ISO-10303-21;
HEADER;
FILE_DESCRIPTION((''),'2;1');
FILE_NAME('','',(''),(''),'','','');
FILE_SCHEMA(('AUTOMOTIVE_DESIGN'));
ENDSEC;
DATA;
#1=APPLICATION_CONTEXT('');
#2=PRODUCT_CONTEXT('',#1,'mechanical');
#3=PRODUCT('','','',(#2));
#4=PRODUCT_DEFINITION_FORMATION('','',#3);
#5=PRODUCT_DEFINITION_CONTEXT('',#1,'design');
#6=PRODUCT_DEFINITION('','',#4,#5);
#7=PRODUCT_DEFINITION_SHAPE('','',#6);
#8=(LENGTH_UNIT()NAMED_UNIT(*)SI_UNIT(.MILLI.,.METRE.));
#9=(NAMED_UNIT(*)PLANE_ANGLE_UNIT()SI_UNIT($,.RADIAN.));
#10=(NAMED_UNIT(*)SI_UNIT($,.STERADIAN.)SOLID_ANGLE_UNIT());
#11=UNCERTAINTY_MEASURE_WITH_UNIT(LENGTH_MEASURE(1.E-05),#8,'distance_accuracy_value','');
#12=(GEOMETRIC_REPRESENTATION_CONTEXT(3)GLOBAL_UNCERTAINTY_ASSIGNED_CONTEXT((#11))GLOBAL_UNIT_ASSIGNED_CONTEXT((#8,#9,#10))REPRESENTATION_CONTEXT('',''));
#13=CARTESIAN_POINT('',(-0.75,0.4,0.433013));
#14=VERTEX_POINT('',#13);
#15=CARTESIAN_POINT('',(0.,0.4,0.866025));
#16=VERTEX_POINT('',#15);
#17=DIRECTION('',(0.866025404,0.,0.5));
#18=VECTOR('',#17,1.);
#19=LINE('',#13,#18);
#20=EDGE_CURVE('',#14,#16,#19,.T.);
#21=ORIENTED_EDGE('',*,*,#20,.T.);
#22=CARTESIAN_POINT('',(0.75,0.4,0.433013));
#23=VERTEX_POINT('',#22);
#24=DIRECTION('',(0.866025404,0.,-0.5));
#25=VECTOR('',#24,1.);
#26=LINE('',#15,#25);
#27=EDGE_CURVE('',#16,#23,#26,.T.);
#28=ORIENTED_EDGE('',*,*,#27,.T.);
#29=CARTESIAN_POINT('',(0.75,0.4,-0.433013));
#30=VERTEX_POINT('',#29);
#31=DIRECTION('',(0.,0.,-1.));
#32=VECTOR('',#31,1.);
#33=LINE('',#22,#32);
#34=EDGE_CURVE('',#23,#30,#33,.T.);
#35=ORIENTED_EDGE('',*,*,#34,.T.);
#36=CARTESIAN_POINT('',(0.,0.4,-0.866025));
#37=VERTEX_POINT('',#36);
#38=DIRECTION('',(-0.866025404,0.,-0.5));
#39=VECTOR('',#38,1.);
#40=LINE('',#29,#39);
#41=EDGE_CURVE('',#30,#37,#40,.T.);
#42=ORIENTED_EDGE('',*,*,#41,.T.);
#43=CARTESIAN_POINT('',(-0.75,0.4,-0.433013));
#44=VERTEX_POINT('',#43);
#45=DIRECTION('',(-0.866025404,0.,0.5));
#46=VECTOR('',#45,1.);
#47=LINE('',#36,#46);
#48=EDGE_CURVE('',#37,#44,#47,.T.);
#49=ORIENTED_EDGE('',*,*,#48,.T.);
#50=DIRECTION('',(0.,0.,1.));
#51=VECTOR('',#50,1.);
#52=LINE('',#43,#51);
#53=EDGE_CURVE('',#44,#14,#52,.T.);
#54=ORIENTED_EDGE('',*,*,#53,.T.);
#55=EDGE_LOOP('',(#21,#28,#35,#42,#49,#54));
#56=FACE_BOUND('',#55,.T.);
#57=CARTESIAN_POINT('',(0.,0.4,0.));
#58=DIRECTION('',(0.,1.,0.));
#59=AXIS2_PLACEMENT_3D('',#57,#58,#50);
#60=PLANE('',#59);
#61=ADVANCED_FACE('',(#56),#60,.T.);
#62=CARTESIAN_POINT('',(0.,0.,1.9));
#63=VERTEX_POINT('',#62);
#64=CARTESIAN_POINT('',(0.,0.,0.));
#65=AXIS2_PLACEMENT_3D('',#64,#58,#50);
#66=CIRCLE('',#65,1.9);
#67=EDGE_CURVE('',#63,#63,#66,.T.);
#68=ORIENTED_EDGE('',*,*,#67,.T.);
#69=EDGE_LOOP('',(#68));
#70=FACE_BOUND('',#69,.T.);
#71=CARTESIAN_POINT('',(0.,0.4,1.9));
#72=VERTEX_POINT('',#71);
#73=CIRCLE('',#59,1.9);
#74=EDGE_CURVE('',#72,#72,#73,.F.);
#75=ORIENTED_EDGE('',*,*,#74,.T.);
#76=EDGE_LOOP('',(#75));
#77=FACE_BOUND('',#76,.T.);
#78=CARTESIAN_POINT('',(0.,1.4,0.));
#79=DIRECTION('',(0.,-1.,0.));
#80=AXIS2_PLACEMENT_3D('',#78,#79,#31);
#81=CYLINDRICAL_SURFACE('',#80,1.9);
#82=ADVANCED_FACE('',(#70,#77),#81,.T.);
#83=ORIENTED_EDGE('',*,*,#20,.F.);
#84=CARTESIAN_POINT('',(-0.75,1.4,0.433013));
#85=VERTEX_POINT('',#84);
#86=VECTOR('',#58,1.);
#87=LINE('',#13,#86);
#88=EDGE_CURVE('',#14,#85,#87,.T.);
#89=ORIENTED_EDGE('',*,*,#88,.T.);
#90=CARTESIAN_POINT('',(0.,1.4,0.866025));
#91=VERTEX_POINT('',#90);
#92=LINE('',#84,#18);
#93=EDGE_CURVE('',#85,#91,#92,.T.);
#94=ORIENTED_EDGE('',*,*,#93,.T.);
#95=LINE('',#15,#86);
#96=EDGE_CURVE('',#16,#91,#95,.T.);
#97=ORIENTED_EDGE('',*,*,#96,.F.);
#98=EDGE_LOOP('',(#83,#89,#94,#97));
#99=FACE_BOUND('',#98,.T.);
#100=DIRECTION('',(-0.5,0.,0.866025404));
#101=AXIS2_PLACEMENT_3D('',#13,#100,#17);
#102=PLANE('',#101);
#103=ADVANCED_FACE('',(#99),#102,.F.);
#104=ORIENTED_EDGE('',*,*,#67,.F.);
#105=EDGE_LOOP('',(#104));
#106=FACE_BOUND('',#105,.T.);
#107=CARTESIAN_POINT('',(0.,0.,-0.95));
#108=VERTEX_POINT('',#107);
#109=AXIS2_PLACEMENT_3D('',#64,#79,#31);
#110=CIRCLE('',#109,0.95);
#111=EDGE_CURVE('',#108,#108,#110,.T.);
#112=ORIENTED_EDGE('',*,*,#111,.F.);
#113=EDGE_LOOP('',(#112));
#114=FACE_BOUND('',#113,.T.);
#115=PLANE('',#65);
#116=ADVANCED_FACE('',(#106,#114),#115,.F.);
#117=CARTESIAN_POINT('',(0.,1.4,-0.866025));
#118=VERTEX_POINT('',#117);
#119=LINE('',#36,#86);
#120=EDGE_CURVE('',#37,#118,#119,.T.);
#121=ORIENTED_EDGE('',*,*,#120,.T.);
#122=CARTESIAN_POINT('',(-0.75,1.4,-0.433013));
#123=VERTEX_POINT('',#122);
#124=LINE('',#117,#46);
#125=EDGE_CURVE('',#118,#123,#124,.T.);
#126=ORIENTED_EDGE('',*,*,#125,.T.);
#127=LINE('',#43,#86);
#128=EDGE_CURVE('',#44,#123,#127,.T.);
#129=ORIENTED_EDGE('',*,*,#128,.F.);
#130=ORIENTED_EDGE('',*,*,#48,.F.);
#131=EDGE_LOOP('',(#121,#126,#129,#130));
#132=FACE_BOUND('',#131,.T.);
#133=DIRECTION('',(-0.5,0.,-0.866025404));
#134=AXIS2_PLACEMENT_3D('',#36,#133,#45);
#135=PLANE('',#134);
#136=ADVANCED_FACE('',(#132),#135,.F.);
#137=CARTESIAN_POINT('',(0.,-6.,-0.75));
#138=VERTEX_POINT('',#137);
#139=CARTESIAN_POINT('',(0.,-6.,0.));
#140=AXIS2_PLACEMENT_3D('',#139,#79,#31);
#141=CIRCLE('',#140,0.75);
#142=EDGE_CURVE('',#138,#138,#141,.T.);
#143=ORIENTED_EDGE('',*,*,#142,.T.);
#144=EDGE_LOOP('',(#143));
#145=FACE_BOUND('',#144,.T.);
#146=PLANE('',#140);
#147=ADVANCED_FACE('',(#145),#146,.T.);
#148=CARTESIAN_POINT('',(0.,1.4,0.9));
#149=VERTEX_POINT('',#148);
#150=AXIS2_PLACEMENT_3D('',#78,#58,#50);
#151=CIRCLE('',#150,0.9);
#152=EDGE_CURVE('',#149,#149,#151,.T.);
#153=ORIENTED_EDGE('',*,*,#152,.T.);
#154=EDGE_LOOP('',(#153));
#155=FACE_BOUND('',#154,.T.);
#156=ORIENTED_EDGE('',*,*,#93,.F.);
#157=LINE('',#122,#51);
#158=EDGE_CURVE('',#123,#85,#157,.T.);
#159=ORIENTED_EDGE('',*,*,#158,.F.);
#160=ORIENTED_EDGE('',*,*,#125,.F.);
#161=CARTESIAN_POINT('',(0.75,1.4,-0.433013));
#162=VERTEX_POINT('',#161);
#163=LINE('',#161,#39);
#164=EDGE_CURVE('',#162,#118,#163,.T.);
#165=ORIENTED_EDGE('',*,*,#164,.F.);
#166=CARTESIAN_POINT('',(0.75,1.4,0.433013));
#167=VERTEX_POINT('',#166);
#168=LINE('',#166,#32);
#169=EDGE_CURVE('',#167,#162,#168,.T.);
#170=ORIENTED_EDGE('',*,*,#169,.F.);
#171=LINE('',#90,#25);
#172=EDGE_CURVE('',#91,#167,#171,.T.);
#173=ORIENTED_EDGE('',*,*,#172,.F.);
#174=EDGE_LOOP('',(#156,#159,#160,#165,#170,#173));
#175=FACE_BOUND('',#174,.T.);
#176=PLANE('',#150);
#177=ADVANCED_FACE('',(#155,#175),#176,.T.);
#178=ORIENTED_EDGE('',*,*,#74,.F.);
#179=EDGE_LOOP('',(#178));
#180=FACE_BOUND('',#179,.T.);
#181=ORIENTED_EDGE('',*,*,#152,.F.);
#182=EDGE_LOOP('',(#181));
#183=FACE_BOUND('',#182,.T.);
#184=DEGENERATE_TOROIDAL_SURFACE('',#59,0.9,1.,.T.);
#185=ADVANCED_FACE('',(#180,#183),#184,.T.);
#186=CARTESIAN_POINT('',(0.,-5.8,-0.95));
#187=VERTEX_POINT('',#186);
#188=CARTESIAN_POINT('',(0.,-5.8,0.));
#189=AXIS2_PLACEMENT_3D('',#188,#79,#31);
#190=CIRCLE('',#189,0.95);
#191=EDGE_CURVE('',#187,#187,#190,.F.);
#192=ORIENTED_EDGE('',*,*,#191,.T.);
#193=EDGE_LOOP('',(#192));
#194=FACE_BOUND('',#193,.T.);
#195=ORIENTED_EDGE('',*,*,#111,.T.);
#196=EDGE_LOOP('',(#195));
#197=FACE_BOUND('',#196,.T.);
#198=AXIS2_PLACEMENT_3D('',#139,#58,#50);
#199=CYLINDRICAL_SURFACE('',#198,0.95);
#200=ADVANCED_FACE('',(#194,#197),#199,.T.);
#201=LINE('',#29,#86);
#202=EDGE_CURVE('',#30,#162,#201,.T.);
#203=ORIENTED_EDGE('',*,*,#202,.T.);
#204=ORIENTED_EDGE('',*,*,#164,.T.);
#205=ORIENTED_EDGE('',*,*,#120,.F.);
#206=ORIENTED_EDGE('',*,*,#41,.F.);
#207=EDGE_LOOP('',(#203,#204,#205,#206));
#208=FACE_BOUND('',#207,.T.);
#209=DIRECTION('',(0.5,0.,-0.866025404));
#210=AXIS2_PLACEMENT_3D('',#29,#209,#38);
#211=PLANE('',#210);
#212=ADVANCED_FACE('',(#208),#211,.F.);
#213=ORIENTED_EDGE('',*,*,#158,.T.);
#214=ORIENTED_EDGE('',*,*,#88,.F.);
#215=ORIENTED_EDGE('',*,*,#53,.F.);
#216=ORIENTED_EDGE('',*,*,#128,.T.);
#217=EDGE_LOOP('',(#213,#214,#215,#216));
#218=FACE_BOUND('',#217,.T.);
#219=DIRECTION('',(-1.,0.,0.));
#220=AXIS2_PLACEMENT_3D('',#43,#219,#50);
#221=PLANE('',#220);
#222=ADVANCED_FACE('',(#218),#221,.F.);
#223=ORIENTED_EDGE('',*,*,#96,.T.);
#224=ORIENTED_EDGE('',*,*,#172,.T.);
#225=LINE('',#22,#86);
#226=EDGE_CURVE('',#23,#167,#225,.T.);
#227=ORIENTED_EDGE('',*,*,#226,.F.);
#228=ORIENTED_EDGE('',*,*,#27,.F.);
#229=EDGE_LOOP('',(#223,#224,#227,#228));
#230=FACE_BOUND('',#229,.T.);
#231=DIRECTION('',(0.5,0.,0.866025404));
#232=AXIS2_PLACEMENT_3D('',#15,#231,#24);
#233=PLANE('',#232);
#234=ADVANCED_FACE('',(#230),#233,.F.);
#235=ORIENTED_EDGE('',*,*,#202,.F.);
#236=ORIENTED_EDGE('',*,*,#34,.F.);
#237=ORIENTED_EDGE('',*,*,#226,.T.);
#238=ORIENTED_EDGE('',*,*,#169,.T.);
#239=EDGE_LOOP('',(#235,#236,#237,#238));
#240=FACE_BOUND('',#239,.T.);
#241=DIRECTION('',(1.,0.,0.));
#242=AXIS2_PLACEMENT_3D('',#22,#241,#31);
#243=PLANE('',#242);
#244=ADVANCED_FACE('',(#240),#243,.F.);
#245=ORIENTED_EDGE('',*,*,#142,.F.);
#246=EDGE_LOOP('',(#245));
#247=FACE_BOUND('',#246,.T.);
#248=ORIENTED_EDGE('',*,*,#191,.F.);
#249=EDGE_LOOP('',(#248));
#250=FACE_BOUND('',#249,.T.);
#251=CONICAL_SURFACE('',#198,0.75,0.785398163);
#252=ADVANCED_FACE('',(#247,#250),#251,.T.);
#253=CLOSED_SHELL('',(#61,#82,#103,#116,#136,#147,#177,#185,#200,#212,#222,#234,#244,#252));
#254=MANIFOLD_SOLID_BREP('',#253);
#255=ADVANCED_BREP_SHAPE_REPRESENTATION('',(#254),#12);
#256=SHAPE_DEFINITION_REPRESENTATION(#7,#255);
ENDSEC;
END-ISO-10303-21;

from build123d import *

# Parameters (mm, degrees)
SKETCH_1_R          = 1.9
EXTRUDE_1_DEPTH     = 1.4
CUT_EXTRUDE_1_DEPTH = 1
FILLET_1_R          = 1
SKETCH_3_R          = 0.95
EXTRUDE_2_DEPTH     = 6
CHAMFER_1_SIZE      = 0.2


with BuildPart() as part:
    # 草图1 → 凸台-拉伸1 (new body)
    with BuildSketch(Plane(origin=(0, 0, 0), x_dir=(1, 0, 0), z_dir=(0, 1, 0))):
        Circle(SKETCH_1_R)
    extrude(amount=EXTRUDE_1_DEPTH)

    # 草图2 → 切除-拉伸1 (cut)
    with BuildSketch(Plane(origin=(0, 1.4, 0), x_dir=(1, 0, 0), z_dir=(0, 1, 0))):
        Polygon((0, -0.866025404), (0.75, -0.433012702), (0.75, 0.433012702), (0, 0.866025404), (-0.75, 0.433012702), (-0.75, -0.433012702), align=None)
    extrude(amount=-CUT_EXTRUDE_1_DEPTH, mode=Mode.SUBTRACT)

    # 圆角1
    fillet_1_edges = [part.edges().sort_by_distance(p)[0] for p in [
        (-1.9, 1.4, 0),
    ]]
    fillet(fillet_1_edges, radius=FILLET_1_R)

    # 草图3 → 凸台-拉伸2 (add)
    with BuildSketch(Plane.XZ):
        Circle(SKETCH_3_R)
    extrude(amount=EXTRUDE_2_DEPTH)

    # 倒角1
    chamfer_1_edges = [part.edges().sort_by_distance(p)[0] for p in [
        (-0.95, -6, 0),
    ]]
    chamfer(chamfer_1_edges, length=CHAMFER_1_SIZE)


solid = part.part
